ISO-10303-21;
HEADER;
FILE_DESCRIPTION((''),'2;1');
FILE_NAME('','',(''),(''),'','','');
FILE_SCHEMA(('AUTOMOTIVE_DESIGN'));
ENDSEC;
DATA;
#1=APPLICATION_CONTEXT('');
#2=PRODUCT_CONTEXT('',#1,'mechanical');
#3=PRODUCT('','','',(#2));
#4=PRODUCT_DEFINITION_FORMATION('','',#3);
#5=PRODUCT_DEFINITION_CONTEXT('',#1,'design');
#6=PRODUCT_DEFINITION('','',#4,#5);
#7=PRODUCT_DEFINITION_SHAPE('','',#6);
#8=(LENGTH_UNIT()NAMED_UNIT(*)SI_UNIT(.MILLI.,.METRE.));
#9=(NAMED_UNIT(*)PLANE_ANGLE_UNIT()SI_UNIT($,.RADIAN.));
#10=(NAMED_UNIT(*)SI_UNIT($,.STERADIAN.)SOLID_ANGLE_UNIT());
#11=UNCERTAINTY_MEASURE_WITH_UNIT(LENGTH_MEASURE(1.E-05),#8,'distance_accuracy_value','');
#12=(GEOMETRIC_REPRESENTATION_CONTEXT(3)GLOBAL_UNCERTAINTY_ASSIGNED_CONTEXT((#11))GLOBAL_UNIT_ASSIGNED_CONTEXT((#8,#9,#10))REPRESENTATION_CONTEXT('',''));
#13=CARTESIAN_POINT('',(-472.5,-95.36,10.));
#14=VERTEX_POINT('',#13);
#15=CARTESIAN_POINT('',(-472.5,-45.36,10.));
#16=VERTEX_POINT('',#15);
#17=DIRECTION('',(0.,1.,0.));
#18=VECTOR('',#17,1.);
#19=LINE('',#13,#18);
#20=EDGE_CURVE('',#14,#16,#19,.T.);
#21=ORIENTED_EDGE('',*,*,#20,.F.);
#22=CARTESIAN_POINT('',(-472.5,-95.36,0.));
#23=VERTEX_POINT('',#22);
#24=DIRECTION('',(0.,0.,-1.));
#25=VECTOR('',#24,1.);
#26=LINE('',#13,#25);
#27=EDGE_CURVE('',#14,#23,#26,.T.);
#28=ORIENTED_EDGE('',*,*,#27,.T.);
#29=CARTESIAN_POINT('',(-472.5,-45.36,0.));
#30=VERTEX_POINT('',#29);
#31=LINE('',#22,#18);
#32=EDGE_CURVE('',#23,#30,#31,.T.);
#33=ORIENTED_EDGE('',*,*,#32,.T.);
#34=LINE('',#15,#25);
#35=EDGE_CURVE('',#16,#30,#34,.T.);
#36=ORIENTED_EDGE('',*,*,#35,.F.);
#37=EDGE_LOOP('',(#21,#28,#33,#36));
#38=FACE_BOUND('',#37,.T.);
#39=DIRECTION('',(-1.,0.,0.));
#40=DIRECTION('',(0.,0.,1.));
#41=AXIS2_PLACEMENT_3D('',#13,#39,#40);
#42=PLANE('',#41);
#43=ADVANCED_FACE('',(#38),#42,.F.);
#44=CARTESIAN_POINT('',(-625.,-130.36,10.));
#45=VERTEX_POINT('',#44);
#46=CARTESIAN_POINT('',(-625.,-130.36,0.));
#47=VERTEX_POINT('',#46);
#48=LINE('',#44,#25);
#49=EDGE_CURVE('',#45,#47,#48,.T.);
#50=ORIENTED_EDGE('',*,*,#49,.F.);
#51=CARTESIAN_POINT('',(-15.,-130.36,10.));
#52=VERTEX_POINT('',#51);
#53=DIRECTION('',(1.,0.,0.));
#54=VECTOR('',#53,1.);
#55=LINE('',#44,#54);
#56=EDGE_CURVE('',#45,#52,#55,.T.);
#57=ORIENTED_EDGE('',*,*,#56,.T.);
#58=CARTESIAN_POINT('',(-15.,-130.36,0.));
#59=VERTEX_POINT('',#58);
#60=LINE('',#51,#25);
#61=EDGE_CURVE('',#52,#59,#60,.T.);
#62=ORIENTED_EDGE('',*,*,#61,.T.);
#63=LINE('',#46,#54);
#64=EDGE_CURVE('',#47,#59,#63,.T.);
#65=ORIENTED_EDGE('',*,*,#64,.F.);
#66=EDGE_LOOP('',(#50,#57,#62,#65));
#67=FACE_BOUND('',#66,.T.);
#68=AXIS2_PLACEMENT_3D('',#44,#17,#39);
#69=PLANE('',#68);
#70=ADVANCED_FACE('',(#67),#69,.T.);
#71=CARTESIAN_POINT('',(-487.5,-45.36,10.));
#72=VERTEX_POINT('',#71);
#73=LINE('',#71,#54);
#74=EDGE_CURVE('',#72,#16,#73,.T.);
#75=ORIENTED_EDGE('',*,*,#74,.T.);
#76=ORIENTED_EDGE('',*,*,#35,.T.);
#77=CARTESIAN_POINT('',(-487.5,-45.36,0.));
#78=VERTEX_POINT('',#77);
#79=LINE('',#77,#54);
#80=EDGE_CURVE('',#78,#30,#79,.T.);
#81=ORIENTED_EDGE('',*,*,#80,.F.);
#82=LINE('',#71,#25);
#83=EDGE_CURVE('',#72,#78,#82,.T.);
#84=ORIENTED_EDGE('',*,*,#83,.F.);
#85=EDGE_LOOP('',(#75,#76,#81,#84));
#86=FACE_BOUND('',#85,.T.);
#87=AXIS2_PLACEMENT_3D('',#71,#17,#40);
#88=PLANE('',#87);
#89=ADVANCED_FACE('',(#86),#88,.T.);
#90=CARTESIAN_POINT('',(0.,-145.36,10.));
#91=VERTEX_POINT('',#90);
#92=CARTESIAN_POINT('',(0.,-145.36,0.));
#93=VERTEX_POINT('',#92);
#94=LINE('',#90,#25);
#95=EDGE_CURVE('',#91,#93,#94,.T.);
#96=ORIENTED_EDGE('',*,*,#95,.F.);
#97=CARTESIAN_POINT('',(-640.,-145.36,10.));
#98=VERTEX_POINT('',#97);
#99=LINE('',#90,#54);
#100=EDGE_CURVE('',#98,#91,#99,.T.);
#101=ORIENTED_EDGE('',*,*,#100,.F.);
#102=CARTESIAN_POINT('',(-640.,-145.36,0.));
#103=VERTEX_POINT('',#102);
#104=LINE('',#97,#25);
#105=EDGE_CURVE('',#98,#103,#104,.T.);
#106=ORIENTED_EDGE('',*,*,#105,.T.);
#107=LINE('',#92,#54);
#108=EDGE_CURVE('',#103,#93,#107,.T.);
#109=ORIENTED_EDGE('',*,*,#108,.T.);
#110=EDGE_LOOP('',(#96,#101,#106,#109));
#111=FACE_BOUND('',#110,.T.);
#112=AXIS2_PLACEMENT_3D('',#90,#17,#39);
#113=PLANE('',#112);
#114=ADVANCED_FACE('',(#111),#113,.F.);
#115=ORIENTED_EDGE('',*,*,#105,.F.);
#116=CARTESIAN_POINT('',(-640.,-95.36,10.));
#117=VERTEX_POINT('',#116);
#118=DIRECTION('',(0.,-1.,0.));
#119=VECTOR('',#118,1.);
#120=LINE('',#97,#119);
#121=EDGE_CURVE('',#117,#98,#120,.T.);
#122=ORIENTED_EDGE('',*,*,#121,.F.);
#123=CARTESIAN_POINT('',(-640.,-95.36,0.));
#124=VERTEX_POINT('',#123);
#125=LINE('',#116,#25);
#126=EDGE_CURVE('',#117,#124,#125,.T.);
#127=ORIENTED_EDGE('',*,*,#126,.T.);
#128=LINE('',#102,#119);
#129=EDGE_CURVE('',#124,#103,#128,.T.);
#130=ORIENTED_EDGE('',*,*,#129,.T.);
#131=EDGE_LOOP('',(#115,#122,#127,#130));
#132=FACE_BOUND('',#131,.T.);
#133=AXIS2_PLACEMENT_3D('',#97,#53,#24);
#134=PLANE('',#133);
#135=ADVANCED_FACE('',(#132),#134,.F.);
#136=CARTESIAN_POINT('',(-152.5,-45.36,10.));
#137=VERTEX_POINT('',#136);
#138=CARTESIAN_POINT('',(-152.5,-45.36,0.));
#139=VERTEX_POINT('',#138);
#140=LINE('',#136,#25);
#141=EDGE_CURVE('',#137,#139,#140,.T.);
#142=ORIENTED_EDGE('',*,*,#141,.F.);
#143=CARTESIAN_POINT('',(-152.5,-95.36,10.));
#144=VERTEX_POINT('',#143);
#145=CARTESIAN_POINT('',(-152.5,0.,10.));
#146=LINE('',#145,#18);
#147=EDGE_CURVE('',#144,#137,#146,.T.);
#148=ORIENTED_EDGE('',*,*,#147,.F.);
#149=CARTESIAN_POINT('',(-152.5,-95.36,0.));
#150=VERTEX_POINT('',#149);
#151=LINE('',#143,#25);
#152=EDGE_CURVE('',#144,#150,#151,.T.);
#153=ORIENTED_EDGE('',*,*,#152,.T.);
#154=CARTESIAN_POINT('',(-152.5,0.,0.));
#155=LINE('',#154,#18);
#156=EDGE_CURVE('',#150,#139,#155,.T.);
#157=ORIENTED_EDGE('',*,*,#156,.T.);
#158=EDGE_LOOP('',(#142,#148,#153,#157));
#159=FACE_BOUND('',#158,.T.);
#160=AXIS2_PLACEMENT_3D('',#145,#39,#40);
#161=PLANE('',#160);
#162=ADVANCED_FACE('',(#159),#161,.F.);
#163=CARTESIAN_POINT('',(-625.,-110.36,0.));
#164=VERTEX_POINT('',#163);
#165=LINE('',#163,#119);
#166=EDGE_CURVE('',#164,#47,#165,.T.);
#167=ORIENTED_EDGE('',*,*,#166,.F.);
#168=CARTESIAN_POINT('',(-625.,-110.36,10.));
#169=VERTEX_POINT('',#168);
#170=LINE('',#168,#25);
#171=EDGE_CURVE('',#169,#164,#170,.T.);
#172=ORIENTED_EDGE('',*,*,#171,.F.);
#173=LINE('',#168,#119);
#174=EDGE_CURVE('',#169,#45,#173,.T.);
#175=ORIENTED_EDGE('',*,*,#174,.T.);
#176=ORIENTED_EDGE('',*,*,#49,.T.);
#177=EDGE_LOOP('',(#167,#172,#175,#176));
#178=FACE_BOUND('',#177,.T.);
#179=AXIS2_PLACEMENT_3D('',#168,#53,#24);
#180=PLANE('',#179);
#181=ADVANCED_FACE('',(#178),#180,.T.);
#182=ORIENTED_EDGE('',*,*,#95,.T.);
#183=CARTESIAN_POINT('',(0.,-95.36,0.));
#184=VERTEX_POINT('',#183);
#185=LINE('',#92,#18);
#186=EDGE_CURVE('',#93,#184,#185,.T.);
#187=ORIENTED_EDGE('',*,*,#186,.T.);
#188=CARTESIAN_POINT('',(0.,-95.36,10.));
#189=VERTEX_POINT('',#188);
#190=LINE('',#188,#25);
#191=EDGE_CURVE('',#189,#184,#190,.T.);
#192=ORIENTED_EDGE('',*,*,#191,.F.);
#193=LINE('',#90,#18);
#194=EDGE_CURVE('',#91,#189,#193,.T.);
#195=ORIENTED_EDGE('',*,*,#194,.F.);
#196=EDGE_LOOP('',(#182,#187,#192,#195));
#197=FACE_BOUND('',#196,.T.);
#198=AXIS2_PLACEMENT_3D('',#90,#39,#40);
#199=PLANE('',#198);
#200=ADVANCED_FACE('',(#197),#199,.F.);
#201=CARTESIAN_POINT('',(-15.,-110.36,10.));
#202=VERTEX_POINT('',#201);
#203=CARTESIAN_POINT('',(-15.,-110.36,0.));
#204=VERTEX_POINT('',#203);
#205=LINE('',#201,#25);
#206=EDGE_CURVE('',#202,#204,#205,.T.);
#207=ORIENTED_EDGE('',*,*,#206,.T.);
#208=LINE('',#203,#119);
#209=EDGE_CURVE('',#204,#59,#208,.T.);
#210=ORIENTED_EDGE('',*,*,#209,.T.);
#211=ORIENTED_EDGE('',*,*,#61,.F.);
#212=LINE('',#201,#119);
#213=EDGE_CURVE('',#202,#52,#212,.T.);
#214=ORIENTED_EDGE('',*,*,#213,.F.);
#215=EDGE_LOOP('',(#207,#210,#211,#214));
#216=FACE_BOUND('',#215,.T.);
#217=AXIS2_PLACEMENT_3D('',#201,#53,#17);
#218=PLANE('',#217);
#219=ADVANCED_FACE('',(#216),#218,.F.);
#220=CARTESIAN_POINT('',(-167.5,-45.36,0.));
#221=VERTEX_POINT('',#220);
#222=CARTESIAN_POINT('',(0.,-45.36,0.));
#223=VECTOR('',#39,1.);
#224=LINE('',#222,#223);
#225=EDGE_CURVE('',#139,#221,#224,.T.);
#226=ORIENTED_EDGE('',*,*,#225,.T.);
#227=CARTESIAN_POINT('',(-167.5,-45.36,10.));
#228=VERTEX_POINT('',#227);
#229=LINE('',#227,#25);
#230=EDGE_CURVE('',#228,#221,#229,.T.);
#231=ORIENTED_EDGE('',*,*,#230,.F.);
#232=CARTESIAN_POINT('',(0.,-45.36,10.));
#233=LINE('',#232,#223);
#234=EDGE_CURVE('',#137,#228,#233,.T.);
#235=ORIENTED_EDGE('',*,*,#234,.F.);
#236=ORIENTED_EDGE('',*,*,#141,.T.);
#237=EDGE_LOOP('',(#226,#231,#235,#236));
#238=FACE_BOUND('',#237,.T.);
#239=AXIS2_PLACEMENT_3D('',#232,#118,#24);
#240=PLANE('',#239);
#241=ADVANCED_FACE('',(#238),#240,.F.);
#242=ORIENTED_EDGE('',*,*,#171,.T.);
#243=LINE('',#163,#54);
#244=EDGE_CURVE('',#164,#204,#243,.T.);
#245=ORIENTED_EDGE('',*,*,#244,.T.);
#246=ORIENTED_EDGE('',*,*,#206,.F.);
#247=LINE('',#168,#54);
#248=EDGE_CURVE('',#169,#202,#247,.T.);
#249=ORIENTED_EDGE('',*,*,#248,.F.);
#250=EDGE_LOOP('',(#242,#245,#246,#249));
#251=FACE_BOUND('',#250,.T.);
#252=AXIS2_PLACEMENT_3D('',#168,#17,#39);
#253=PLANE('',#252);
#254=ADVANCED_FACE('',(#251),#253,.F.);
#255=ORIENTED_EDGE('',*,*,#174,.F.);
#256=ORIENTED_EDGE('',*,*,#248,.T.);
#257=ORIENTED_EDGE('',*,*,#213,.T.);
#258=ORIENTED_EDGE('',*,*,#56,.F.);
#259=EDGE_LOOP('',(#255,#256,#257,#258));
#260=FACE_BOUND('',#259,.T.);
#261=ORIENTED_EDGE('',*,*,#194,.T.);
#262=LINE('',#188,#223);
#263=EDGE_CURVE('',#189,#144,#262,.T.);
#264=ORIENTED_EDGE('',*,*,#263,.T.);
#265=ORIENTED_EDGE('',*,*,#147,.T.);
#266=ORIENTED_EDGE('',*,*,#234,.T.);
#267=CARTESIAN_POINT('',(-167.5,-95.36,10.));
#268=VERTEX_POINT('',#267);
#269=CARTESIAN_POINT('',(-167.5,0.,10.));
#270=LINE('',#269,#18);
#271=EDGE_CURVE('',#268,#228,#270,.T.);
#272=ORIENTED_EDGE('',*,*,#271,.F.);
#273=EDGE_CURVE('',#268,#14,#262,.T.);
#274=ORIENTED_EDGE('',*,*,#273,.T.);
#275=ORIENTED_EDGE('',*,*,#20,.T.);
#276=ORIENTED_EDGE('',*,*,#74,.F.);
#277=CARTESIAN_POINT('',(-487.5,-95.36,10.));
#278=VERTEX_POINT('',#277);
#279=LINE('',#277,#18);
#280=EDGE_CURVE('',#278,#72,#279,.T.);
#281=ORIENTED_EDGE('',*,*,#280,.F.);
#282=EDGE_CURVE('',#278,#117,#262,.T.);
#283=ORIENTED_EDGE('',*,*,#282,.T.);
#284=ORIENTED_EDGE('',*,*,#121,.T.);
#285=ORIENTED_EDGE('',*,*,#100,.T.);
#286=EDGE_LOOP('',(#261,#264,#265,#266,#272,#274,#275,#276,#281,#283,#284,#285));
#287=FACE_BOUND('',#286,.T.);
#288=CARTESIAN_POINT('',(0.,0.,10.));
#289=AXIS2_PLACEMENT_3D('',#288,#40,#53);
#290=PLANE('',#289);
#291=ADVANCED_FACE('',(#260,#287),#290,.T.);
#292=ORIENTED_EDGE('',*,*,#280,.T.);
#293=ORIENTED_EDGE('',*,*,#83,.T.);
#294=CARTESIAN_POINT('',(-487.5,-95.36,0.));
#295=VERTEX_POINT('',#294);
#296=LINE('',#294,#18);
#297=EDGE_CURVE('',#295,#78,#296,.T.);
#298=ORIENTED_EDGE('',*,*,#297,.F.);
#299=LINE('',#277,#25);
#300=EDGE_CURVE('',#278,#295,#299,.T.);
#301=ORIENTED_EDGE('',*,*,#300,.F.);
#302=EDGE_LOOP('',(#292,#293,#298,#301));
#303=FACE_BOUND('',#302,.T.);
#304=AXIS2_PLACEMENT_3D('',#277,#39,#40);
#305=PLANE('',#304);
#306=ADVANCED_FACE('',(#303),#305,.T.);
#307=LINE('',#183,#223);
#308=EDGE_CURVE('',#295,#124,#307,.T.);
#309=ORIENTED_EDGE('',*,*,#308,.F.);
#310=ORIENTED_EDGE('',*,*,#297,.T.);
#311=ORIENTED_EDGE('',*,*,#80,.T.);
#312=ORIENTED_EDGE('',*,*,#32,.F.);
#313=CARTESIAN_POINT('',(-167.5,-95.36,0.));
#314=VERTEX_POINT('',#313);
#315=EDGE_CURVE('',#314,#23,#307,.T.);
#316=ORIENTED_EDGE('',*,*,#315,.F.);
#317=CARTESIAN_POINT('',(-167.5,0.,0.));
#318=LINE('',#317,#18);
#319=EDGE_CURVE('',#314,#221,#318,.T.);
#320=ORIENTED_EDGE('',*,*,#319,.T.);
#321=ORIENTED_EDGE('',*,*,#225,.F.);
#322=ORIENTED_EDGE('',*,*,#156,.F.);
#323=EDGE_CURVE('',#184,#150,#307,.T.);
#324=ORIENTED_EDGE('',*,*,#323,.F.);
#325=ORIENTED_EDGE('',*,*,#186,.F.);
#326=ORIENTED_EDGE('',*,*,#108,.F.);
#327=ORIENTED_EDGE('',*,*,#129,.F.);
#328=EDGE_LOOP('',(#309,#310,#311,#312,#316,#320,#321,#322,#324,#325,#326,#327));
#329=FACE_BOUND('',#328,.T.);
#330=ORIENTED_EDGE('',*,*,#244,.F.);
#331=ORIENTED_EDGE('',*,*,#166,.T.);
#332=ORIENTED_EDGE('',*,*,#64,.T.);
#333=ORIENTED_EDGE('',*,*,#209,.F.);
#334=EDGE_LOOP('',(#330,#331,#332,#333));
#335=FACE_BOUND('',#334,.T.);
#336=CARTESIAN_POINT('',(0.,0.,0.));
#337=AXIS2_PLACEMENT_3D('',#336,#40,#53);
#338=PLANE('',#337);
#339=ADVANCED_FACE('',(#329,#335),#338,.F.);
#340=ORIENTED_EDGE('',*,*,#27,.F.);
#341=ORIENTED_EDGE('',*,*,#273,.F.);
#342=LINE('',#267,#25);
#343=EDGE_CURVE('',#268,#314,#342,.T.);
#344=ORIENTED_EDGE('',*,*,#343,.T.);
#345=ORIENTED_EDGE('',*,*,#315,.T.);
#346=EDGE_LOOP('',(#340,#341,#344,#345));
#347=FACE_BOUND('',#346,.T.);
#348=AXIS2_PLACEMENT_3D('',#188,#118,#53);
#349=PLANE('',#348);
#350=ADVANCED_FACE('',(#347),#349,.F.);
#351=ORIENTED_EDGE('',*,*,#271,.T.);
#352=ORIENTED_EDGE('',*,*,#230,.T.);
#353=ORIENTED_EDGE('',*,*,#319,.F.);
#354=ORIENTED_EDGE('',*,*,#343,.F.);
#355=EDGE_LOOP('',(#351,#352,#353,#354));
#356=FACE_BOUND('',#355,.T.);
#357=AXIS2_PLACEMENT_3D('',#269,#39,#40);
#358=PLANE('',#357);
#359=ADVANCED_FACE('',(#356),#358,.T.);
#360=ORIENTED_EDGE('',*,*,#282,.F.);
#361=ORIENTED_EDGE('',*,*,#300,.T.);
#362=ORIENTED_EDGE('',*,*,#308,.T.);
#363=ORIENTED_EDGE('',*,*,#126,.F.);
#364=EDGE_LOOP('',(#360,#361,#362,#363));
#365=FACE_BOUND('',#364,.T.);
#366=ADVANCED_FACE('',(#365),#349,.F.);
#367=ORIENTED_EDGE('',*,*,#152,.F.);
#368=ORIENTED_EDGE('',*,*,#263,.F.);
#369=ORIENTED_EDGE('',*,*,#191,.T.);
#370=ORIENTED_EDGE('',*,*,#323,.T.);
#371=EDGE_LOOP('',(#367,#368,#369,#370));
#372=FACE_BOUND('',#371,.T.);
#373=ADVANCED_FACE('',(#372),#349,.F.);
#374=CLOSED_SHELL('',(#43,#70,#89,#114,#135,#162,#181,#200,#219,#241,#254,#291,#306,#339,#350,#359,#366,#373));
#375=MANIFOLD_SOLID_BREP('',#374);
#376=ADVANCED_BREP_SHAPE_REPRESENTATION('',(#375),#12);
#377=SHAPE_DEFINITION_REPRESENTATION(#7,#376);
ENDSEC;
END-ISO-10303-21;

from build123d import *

# Parameters (mm, degrees)
SKETCH1_W           = 640
SKETCH1_H           = 50
BOSS_EXTRUDE1_DEPTH = 10
SKETCH2_W           = 15
SKETCH2_H           = 50
BOSS_EXTRUDE2_DEPTH = 10
SKETCH3_W           = 610
SKETCH3_H           = 20
CUT_EXTRUDE1_DEPTH  = 10


with BuildPart() as part:
    # Sketch1 → Boss-Extrude1 (new body)
    with BuildSketch(Plane.XY):
        with Locations((-320, -120.36)):
            Rectangle(SKETCH1_W, SKETCH1_H)
    extrude(amount=BOSS_EXTRUDE1_DEPTH)

    # Sketch2 → Boss-Extrude2 (add)
    with BuildSketch(Plane.XY):
        with Locations((-160, -70.36)):
            Rectangle(SKETCH2_W, SKETCH2_H)
        with Locations((-480, -70.36)):
            Rectangle(SKETCH2_W, SKETCH2_H)
    extrude(amount=BOSS_EXTRUDE2_DEPTH)

    # Sketch3 → Cut-Extrude1 (cut)
    with BuildSketch(Plane(origin=(0, 0, 0), x_dir=(-1, 0, 0), z_dir=(0, 0, -1))):
        with Locations((320, -120.36)):
            Rectangle(SKETCH3_W, SKETCH3_H)
    extrude(amount=-CUT_EXTRUDE1_DEPTH, mode=Mode.SUBTRACT)


solid = part.part
